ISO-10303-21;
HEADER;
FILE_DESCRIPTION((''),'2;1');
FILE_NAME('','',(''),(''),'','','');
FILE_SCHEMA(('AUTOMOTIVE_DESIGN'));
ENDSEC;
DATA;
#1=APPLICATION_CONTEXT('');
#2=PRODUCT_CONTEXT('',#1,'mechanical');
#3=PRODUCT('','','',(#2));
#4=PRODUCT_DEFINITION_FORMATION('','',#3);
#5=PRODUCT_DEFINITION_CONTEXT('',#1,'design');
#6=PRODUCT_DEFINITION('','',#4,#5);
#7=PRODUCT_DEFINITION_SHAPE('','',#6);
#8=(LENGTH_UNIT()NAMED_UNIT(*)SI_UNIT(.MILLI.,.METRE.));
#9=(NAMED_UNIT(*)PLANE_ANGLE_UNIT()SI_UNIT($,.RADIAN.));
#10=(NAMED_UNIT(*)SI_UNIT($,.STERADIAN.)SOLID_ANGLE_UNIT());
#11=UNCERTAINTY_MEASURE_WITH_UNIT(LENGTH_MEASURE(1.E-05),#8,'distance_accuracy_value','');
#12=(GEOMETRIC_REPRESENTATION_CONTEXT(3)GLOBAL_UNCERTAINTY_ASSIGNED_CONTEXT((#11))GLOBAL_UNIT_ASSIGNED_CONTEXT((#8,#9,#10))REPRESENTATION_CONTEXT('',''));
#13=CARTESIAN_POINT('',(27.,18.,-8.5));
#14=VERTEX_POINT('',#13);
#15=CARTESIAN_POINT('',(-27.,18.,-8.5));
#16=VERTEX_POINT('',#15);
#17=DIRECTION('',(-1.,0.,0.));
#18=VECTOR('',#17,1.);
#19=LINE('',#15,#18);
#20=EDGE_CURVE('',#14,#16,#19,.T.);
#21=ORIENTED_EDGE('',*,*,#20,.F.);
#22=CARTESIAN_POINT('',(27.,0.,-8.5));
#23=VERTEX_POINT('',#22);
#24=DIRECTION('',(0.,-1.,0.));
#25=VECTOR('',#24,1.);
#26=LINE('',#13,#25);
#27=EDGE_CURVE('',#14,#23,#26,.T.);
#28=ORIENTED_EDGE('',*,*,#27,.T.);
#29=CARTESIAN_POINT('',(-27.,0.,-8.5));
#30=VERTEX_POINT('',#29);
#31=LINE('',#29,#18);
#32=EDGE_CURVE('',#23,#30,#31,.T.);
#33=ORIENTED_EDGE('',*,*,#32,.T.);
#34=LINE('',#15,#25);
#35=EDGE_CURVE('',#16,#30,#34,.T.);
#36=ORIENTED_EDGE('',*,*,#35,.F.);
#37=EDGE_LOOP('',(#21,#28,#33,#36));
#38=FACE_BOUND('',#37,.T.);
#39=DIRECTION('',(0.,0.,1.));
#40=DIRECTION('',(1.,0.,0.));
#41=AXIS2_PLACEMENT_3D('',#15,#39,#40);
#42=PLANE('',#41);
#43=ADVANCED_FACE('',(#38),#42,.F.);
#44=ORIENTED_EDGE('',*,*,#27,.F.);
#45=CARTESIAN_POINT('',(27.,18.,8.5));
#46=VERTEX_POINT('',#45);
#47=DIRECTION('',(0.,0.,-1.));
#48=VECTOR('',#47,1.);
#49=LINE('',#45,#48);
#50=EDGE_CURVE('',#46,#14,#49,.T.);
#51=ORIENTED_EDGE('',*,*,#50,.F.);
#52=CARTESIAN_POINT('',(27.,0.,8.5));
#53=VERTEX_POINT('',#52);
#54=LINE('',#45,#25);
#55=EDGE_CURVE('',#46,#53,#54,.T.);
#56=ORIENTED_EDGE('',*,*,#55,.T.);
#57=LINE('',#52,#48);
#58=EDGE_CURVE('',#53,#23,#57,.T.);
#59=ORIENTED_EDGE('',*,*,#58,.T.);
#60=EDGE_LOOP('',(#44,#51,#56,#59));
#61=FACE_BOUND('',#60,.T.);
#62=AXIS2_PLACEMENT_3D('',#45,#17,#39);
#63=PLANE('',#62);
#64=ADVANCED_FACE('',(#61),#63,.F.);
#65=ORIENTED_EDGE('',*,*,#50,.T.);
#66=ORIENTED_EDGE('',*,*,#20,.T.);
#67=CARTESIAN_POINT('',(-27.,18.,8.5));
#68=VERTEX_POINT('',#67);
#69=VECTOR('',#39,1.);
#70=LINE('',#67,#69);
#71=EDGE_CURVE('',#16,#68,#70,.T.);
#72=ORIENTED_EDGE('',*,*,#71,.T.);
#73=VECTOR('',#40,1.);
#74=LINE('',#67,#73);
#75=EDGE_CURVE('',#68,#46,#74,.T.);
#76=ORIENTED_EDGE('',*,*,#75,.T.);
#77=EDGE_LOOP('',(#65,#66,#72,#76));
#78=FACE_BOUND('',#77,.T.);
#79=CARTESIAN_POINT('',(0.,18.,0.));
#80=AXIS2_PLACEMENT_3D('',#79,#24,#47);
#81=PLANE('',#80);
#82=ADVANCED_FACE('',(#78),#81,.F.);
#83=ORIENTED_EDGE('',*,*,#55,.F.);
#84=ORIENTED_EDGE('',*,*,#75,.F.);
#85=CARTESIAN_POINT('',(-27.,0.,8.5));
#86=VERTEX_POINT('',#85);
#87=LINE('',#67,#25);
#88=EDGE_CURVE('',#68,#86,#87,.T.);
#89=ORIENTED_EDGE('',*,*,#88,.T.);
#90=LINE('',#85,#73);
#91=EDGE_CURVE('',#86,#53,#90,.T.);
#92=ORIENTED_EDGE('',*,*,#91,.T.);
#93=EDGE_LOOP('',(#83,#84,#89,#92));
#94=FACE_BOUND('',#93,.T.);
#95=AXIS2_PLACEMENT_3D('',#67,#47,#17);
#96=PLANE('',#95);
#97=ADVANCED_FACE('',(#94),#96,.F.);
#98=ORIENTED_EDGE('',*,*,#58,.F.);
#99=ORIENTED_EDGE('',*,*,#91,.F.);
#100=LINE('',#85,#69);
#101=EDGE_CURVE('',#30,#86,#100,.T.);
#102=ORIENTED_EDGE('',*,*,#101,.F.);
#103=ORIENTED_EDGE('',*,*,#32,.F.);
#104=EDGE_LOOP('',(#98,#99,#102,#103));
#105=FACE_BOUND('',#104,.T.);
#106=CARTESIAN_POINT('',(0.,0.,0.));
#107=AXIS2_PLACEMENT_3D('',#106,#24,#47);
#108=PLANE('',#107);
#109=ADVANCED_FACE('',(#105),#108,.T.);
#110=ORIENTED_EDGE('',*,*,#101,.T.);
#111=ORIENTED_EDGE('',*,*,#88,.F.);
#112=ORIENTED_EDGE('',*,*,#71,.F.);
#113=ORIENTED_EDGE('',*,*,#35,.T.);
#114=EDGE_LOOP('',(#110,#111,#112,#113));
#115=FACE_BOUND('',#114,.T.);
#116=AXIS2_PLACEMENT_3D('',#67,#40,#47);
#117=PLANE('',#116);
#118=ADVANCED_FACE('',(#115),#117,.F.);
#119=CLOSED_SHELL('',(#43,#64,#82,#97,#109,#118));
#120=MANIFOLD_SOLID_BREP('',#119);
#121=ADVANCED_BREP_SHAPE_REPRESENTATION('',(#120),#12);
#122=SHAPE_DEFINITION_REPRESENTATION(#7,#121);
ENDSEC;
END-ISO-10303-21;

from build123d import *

# Parameters (mm, degrees)
SKETCH1_W           = 54
SKETCH1_H           = 17
BOSS_EXTRUDE1_DEPTH = 18


with BuildPart() as part:
    # Sketch1 → Boss-Extrude1 (new body)
    with BuildSketch(Plane(origin=(0, 0, 0), x_dir=(1, 0, 0), z_dir=(0, 1, 0))):
        Rectangle(SKETCH1_W, SKETCH1_H)
    extrude(amount=BOSS_EXTRUDE1_DEPTH)


solid = part.part
